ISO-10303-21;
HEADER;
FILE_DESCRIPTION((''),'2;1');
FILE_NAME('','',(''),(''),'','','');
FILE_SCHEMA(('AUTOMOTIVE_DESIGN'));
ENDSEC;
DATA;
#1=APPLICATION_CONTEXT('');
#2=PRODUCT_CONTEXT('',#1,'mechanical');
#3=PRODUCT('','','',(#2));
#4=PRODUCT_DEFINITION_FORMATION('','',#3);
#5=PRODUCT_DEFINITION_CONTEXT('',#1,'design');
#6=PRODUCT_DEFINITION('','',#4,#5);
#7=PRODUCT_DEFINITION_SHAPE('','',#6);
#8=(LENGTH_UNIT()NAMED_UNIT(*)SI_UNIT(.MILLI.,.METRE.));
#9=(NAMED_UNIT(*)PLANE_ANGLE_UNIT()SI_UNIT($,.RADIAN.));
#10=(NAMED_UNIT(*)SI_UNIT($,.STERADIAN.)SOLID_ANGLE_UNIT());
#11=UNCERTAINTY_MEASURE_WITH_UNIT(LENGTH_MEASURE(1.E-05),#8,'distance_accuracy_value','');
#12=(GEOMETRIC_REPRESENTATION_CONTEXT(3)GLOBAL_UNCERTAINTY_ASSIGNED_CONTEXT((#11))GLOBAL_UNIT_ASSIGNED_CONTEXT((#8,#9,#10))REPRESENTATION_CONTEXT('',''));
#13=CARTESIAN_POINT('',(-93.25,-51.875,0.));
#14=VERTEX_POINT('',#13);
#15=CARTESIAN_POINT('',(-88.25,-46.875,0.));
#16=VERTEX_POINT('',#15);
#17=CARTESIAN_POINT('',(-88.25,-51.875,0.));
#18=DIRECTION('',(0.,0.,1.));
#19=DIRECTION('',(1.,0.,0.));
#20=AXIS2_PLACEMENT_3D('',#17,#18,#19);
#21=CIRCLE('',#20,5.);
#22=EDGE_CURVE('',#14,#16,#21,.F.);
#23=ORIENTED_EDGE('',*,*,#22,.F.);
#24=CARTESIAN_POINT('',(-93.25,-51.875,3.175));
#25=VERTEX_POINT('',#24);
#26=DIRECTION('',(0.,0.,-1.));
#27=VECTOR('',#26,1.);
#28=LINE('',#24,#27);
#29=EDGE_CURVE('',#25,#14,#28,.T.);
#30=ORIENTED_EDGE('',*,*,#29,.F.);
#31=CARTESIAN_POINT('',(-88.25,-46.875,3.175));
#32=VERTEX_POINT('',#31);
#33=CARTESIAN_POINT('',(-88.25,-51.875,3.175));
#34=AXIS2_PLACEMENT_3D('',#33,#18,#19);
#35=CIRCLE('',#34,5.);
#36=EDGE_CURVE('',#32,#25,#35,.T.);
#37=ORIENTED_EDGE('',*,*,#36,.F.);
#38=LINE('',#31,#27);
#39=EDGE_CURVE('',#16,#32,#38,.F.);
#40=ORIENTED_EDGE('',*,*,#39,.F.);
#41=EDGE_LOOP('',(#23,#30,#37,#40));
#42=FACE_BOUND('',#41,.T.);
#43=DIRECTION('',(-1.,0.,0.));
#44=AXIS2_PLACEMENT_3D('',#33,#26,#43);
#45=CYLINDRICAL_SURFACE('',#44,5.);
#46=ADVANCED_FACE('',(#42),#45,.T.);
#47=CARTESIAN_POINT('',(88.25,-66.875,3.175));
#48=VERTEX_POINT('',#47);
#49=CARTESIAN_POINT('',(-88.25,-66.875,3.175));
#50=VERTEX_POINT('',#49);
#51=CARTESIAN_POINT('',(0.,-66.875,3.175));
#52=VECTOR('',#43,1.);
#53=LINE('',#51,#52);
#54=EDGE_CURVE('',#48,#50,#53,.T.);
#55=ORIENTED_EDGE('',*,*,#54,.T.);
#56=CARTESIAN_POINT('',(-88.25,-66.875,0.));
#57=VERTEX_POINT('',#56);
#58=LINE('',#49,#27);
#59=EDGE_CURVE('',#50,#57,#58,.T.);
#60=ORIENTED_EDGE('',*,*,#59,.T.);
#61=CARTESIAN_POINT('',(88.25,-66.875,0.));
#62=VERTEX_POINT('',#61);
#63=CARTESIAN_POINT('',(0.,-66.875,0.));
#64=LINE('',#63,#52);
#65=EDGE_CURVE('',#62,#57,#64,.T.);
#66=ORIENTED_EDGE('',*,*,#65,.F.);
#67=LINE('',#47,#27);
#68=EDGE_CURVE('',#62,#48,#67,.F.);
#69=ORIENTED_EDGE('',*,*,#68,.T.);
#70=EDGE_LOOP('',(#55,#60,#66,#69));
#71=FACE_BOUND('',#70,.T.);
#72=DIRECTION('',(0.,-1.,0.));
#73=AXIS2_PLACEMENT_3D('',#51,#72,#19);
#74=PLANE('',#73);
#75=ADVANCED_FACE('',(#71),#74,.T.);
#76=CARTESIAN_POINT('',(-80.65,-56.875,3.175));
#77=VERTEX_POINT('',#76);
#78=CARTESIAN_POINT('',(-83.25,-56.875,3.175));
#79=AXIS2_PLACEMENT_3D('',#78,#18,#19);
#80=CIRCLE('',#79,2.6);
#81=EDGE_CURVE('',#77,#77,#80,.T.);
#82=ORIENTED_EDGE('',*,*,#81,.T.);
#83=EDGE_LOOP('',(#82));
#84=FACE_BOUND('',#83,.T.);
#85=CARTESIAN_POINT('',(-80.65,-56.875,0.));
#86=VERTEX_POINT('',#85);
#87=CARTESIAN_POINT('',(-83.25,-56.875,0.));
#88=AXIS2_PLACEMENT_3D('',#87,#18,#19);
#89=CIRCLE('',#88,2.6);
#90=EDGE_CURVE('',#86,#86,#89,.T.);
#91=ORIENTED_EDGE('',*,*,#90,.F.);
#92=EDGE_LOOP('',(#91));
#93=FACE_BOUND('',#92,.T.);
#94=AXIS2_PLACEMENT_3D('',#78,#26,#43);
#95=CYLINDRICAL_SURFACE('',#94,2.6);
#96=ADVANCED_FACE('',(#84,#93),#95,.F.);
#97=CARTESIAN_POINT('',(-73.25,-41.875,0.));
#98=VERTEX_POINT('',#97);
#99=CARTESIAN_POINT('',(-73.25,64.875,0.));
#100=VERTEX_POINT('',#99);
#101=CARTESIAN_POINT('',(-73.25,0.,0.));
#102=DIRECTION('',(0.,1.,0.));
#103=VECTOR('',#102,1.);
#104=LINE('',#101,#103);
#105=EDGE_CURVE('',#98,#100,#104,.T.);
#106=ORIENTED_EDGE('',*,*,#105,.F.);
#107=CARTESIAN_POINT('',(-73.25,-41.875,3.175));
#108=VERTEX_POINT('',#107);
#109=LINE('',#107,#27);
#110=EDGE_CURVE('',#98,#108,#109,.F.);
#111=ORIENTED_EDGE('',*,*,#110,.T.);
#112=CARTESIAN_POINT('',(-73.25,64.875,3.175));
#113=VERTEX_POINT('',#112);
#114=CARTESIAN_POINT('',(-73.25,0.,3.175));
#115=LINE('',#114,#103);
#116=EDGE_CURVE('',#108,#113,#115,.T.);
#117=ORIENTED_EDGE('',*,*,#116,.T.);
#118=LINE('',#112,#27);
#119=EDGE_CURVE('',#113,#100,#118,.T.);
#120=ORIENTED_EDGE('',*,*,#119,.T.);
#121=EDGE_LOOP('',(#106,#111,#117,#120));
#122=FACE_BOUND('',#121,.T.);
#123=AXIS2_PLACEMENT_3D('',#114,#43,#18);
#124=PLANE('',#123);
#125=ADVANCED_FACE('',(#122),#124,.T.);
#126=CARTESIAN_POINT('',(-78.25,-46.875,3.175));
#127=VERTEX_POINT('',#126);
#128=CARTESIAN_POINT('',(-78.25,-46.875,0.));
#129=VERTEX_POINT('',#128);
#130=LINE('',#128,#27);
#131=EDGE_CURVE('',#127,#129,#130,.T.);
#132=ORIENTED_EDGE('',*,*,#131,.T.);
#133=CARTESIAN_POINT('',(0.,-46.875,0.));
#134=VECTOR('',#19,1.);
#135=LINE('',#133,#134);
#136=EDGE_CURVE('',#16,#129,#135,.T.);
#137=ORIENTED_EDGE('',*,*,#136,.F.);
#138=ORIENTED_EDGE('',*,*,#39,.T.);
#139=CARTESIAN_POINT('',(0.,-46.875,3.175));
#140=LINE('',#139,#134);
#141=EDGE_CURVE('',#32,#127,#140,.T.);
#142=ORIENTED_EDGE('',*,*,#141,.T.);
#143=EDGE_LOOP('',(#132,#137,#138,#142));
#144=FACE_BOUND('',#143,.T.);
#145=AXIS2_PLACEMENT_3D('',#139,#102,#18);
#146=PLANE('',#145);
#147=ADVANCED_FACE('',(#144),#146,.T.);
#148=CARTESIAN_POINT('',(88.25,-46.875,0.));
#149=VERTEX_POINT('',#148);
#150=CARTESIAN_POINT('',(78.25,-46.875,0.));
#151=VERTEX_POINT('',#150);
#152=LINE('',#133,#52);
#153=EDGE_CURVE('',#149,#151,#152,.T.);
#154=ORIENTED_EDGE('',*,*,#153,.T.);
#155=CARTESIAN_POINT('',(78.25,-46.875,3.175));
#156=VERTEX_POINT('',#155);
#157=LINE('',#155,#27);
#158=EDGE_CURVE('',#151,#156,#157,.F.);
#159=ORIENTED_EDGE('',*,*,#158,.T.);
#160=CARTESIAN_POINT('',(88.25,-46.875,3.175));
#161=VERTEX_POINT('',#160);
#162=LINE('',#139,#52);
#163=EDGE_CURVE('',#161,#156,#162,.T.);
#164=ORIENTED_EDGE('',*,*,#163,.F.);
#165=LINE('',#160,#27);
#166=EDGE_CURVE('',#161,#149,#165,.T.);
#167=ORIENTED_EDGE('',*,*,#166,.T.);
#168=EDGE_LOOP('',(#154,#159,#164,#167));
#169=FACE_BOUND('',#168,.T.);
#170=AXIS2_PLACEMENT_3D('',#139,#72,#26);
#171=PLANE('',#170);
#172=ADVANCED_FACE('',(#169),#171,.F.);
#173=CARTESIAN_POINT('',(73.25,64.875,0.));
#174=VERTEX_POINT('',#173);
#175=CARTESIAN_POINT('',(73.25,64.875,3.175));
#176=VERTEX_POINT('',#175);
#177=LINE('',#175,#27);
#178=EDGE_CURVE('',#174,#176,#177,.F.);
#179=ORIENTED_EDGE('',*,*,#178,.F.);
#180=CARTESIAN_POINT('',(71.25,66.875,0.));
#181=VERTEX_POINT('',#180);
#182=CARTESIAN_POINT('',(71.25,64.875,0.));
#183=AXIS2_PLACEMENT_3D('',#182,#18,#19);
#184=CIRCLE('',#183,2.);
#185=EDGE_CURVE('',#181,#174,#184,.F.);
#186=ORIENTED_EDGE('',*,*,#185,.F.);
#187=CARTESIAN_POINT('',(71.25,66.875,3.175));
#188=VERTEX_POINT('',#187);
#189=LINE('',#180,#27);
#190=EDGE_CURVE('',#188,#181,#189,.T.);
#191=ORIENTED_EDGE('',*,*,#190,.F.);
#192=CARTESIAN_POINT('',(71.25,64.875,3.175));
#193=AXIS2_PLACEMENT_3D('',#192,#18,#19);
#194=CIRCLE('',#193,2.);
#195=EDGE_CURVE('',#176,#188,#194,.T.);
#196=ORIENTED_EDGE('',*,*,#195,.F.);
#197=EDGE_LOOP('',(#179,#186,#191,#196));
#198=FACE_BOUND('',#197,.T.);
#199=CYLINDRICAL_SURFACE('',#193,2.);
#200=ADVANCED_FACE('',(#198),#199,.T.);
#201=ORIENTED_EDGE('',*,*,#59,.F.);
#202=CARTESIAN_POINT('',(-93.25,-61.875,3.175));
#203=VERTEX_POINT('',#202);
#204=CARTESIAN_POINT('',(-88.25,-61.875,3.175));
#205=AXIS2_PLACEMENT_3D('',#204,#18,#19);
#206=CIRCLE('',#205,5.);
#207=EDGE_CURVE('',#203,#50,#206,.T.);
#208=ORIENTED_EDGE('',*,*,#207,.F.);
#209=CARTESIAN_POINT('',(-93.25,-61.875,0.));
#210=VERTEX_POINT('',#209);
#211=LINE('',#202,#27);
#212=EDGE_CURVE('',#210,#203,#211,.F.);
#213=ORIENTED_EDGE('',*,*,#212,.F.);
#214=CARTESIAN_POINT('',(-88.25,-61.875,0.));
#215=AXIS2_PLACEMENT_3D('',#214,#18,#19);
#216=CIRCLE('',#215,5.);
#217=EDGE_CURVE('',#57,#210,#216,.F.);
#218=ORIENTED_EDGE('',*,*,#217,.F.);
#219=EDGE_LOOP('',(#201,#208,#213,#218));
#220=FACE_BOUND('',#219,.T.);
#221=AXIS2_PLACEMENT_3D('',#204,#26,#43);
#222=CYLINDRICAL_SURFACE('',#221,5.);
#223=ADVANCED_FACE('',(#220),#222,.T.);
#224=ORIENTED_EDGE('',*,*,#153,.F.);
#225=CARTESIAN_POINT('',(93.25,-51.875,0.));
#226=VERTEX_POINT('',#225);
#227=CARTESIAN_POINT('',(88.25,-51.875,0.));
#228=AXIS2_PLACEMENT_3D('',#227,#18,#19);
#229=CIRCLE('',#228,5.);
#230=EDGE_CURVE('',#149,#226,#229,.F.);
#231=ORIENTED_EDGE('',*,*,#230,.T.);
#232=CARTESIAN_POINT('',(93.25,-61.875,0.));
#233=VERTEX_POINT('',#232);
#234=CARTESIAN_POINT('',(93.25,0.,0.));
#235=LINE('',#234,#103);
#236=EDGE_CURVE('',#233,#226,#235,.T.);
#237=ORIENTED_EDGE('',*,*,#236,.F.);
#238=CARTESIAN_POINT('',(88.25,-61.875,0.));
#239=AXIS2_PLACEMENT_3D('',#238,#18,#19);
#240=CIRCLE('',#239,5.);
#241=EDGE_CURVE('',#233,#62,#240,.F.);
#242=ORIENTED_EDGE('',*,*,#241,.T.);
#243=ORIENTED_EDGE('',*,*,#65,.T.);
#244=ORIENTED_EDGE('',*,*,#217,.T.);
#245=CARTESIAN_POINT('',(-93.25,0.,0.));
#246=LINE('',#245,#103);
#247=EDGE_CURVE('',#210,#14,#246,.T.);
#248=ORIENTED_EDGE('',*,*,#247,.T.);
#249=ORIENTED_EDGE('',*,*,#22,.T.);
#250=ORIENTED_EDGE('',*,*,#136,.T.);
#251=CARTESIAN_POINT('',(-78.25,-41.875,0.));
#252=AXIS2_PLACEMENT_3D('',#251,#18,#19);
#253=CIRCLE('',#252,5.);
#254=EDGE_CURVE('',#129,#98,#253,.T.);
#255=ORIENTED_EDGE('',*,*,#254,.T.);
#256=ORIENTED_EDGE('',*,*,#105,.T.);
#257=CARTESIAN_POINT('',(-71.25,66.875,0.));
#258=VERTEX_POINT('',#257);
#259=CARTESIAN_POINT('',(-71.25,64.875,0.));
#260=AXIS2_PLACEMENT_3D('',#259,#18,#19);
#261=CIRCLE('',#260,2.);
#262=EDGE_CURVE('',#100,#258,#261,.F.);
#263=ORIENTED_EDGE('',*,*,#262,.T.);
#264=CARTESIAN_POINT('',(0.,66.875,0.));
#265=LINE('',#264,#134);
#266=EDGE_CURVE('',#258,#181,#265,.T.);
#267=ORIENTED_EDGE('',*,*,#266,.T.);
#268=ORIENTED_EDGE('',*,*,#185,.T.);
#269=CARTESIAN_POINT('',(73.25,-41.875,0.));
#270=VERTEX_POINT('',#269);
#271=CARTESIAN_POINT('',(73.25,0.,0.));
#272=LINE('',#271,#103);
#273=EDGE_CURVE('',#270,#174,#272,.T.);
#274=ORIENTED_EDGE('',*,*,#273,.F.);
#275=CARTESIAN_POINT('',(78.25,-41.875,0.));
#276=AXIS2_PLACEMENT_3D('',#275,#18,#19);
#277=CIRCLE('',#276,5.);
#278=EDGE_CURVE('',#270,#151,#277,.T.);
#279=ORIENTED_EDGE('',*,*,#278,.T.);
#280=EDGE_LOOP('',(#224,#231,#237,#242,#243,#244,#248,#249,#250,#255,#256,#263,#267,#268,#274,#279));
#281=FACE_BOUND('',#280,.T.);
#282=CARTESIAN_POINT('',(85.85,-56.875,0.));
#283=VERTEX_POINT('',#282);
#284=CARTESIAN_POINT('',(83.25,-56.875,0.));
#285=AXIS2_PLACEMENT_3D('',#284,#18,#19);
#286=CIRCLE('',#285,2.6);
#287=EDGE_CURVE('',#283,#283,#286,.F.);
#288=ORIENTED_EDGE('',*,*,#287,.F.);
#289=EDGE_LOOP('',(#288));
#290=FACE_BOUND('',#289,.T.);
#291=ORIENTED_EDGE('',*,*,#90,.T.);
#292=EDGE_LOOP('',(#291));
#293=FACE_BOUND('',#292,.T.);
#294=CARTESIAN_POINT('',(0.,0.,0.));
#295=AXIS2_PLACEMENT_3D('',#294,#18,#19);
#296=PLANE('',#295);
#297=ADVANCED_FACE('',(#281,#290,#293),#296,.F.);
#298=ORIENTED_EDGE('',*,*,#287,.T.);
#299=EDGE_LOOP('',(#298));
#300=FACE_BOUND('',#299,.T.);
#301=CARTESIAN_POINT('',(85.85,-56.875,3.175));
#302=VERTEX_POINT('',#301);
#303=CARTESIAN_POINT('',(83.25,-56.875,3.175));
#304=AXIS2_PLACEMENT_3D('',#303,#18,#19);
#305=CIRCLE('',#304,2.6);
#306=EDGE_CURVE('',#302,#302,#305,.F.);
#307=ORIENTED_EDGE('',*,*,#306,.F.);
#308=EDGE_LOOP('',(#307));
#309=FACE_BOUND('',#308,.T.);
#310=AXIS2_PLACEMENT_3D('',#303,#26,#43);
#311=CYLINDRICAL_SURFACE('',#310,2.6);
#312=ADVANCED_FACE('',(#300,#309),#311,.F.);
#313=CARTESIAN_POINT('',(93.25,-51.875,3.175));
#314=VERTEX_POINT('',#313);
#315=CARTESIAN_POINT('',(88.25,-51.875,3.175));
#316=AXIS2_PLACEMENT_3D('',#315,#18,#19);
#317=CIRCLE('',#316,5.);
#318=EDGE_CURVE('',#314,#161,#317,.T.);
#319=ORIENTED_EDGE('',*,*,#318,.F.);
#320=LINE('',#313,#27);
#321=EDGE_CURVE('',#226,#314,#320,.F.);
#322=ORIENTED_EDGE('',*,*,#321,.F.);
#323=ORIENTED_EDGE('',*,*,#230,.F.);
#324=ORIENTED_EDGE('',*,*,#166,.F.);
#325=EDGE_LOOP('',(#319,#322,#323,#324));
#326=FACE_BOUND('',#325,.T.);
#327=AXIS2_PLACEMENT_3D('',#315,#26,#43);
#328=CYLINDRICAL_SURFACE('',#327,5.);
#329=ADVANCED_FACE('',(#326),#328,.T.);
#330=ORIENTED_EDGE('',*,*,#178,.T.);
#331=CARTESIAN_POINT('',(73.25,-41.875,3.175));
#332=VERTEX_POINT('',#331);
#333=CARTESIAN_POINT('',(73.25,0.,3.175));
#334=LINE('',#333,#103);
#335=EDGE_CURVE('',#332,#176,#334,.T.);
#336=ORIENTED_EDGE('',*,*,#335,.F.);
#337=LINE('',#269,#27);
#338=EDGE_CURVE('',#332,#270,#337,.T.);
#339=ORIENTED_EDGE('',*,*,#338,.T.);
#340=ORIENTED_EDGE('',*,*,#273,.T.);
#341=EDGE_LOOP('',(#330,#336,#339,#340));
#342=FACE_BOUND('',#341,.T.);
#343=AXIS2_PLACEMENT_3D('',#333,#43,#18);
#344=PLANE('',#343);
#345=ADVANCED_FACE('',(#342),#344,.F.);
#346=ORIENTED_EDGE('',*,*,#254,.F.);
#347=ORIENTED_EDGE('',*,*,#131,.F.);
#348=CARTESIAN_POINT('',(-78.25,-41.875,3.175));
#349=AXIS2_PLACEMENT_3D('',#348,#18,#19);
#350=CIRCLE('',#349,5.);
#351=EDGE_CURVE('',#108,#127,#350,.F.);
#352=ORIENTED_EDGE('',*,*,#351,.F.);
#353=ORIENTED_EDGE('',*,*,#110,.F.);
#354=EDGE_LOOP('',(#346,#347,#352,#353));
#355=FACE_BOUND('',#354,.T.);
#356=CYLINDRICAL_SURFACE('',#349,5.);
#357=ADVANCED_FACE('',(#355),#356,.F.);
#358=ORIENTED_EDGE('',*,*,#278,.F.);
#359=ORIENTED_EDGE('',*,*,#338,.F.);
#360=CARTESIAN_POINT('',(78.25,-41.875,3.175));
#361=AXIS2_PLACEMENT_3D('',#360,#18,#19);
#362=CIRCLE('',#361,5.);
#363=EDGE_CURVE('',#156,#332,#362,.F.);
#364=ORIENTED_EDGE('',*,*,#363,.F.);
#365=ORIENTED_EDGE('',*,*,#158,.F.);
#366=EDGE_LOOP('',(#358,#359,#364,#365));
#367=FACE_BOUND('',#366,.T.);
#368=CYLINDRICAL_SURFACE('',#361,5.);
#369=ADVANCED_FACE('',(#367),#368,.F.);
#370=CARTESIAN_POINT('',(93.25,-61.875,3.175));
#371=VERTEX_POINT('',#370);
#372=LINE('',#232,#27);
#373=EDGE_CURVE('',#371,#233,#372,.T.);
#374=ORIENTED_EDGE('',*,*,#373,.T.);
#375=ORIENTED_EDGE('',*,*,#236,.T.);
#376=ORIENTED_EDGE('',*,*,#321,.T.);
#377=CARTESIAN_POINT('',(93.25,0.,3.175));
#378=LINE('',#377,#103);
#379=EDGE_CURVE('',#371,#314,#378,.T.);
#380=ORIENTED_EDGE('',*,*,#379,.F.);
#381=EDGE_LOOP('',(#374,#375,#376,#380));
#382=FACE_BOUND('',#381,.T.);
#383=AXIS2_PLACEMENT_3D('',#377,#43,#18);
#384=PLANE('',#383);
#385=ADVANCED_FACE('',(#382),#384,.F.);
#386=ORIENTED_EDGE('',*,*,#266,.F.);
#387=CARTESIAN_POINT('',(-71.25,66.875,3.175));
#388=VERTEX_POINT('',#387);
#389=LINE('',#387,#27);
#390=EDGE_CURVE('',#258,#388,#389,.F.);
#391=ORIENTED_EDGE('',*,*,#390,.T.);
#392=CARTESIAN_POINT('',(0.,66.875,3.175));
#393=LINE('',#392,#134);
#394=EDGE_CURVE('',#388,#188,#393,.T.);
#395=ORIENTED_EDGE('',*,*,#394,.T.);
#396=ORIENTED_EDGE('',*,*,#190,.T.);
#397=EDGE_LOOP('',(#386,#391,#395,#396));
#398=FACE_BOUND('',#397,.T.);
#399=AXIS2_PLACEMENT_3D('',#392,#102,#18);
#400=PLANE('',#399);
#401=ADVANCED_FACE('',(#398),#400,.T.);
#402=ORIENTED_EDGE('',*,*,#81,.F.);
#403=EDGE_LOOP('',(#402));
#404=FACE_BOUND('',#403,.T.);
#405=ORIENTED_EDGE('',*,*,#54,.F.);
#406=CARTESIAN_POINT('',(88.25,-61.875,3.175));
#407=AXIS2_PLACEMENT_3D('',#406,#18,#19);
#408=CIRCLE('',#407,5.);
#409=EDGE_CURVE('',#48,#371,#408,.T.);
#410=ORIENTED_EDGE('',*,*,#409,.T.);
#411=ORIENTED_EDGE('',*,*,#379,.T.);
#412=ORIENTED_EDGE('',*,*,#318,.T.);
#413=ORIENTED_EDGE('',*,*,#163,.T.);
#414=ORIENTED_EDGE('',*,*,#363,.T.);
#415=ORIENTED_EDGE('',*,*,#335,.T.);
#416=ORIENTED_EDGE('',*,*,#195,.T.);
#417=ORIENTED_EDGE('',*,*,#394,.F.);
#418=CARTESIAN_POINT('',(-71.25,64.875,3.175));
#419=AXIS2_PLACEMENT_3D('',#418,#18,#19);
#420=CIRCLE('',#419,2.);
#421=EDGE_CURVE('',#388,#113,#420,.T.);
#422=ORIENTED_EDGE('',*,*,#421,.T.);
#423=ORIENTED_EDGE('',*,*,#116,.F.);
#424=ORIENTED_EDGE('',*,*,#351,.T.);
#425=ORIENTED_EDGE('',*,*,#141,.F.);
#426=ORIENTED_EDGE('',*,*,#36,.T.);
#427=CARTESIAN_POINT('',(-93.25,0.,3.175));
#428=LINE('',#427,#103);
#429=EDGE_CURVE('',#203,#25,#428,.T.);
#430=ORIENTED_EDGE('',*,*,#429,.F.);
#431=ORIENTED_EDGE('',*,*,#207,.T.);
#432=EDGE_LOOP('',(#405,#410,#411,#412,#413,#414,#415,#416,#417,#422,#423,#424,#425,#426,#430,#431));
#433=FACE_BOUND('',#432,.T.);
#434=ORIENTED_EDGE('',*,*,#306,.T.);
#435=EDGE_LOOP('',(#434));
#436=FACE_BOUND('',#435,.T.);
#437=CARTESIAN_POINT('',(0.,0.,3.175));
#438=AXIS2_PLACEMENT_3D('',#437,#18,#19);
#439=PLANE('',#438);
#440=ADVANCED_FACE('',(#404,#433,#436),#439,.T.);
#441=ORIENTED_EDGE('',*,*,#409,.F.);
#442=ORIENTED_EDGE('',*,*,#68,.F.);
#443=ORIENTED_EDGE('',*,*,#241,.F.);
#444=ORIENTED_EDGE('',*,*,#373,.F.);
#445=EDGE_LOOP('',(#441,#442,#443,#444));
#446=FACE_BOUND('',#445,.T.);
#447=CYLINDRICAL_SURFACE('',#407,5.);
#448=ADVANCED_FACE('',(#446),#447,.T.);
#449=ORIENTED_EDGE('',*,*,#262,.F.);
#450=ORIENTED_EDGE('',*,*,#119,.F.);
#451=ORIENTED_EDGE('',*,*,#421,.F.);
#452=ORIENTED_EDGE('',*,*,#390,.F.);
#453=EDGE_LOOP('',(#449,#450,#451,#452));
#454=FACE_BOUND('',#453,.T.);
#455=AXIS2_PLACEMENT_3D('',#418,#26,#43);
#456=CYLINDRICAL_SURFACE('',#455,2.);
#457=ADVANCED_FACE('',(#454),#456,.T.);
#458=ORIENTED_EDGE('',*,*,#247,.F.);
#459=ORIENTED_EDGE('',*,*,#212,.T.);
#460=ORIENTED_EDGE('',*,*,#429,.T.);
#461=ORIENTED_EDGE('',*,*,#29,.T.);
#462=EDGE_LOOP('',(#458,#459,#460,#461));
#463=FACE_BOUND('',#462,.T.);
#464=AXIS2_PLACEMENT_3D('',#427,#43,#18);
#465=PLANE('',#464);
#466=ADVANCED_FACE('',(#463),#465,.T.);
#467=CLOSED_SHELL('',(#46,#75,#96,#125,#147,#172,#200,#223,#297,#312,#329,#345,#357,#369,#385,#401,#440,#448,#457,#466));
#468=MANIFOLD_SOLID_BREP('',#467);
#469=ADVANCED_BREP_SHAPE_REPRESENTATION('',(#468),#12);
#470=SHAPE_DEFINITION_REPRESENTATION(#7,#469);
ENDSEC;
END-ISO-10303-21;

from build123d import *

# Parameters (mm, degrees)
SKETCH1_W           = 20
SKETCH1_H           = 20
SKETCH1_R           = 2.6
SKETCH1_W_2         = 146.5
SKETCH1_H_2         = 133.75
BOSS_EXTRUDE1_DEPTH = 3.175
FILLET2_R           = 5
FILLET3_R           = 2


with BuildPart() as part:
    # Sketch1 → Boss-Extrude1 (new body)
    with BuildSketch(Plane.XY):
        with Locations((-83.25, -56.875)):
            Rectangle(SKETCH1_W, SKETCH1_H)
        with Locations((-83.25, -56.875)):
            Circle(SKETCH1_R, mode=Mode.SUBTRACT)
        Rectangle(SKETCH1_W_2, SKETCH1_H_2)
        with Locations((83.25, -56.875)):
            Rectangle(SKETCH1_W, SKETCH1_H)
        with Locations((83.25, -56.875)):
            Circle(SKETCH1_R, mode=Mode.SUBTRACT)
    extrude(amount=BOSS_EXTRUDE1_DEPTH)

    # Fillet2
    fillet2_edges = [part.edges().sort_by_distance(p)[0] for p in [
        (-73.25, -46.875, 1.5875),
        (73.25, -46.875, 1.5875),
        (93.25, -46.875, 1.5875),
        (93.25, -66.875, 1.5875),
        (-93.25, -66.875, 1.5875),
        (-93.25, -46.875, 1.5875),
    ]]
    fillet(fillet2_edges, radius=FILLET2_R)

    # Fillet3
    fillet3_edges = [part.edges().sort_by_distance(p)[0] for p in [
        (-73.25, 66.875, 1.5875),
        (73.25, 66.875, 1.5875),
    ]]
    fillet(fillet3_edges, radius=FILLET3_R)


solid = part.part
